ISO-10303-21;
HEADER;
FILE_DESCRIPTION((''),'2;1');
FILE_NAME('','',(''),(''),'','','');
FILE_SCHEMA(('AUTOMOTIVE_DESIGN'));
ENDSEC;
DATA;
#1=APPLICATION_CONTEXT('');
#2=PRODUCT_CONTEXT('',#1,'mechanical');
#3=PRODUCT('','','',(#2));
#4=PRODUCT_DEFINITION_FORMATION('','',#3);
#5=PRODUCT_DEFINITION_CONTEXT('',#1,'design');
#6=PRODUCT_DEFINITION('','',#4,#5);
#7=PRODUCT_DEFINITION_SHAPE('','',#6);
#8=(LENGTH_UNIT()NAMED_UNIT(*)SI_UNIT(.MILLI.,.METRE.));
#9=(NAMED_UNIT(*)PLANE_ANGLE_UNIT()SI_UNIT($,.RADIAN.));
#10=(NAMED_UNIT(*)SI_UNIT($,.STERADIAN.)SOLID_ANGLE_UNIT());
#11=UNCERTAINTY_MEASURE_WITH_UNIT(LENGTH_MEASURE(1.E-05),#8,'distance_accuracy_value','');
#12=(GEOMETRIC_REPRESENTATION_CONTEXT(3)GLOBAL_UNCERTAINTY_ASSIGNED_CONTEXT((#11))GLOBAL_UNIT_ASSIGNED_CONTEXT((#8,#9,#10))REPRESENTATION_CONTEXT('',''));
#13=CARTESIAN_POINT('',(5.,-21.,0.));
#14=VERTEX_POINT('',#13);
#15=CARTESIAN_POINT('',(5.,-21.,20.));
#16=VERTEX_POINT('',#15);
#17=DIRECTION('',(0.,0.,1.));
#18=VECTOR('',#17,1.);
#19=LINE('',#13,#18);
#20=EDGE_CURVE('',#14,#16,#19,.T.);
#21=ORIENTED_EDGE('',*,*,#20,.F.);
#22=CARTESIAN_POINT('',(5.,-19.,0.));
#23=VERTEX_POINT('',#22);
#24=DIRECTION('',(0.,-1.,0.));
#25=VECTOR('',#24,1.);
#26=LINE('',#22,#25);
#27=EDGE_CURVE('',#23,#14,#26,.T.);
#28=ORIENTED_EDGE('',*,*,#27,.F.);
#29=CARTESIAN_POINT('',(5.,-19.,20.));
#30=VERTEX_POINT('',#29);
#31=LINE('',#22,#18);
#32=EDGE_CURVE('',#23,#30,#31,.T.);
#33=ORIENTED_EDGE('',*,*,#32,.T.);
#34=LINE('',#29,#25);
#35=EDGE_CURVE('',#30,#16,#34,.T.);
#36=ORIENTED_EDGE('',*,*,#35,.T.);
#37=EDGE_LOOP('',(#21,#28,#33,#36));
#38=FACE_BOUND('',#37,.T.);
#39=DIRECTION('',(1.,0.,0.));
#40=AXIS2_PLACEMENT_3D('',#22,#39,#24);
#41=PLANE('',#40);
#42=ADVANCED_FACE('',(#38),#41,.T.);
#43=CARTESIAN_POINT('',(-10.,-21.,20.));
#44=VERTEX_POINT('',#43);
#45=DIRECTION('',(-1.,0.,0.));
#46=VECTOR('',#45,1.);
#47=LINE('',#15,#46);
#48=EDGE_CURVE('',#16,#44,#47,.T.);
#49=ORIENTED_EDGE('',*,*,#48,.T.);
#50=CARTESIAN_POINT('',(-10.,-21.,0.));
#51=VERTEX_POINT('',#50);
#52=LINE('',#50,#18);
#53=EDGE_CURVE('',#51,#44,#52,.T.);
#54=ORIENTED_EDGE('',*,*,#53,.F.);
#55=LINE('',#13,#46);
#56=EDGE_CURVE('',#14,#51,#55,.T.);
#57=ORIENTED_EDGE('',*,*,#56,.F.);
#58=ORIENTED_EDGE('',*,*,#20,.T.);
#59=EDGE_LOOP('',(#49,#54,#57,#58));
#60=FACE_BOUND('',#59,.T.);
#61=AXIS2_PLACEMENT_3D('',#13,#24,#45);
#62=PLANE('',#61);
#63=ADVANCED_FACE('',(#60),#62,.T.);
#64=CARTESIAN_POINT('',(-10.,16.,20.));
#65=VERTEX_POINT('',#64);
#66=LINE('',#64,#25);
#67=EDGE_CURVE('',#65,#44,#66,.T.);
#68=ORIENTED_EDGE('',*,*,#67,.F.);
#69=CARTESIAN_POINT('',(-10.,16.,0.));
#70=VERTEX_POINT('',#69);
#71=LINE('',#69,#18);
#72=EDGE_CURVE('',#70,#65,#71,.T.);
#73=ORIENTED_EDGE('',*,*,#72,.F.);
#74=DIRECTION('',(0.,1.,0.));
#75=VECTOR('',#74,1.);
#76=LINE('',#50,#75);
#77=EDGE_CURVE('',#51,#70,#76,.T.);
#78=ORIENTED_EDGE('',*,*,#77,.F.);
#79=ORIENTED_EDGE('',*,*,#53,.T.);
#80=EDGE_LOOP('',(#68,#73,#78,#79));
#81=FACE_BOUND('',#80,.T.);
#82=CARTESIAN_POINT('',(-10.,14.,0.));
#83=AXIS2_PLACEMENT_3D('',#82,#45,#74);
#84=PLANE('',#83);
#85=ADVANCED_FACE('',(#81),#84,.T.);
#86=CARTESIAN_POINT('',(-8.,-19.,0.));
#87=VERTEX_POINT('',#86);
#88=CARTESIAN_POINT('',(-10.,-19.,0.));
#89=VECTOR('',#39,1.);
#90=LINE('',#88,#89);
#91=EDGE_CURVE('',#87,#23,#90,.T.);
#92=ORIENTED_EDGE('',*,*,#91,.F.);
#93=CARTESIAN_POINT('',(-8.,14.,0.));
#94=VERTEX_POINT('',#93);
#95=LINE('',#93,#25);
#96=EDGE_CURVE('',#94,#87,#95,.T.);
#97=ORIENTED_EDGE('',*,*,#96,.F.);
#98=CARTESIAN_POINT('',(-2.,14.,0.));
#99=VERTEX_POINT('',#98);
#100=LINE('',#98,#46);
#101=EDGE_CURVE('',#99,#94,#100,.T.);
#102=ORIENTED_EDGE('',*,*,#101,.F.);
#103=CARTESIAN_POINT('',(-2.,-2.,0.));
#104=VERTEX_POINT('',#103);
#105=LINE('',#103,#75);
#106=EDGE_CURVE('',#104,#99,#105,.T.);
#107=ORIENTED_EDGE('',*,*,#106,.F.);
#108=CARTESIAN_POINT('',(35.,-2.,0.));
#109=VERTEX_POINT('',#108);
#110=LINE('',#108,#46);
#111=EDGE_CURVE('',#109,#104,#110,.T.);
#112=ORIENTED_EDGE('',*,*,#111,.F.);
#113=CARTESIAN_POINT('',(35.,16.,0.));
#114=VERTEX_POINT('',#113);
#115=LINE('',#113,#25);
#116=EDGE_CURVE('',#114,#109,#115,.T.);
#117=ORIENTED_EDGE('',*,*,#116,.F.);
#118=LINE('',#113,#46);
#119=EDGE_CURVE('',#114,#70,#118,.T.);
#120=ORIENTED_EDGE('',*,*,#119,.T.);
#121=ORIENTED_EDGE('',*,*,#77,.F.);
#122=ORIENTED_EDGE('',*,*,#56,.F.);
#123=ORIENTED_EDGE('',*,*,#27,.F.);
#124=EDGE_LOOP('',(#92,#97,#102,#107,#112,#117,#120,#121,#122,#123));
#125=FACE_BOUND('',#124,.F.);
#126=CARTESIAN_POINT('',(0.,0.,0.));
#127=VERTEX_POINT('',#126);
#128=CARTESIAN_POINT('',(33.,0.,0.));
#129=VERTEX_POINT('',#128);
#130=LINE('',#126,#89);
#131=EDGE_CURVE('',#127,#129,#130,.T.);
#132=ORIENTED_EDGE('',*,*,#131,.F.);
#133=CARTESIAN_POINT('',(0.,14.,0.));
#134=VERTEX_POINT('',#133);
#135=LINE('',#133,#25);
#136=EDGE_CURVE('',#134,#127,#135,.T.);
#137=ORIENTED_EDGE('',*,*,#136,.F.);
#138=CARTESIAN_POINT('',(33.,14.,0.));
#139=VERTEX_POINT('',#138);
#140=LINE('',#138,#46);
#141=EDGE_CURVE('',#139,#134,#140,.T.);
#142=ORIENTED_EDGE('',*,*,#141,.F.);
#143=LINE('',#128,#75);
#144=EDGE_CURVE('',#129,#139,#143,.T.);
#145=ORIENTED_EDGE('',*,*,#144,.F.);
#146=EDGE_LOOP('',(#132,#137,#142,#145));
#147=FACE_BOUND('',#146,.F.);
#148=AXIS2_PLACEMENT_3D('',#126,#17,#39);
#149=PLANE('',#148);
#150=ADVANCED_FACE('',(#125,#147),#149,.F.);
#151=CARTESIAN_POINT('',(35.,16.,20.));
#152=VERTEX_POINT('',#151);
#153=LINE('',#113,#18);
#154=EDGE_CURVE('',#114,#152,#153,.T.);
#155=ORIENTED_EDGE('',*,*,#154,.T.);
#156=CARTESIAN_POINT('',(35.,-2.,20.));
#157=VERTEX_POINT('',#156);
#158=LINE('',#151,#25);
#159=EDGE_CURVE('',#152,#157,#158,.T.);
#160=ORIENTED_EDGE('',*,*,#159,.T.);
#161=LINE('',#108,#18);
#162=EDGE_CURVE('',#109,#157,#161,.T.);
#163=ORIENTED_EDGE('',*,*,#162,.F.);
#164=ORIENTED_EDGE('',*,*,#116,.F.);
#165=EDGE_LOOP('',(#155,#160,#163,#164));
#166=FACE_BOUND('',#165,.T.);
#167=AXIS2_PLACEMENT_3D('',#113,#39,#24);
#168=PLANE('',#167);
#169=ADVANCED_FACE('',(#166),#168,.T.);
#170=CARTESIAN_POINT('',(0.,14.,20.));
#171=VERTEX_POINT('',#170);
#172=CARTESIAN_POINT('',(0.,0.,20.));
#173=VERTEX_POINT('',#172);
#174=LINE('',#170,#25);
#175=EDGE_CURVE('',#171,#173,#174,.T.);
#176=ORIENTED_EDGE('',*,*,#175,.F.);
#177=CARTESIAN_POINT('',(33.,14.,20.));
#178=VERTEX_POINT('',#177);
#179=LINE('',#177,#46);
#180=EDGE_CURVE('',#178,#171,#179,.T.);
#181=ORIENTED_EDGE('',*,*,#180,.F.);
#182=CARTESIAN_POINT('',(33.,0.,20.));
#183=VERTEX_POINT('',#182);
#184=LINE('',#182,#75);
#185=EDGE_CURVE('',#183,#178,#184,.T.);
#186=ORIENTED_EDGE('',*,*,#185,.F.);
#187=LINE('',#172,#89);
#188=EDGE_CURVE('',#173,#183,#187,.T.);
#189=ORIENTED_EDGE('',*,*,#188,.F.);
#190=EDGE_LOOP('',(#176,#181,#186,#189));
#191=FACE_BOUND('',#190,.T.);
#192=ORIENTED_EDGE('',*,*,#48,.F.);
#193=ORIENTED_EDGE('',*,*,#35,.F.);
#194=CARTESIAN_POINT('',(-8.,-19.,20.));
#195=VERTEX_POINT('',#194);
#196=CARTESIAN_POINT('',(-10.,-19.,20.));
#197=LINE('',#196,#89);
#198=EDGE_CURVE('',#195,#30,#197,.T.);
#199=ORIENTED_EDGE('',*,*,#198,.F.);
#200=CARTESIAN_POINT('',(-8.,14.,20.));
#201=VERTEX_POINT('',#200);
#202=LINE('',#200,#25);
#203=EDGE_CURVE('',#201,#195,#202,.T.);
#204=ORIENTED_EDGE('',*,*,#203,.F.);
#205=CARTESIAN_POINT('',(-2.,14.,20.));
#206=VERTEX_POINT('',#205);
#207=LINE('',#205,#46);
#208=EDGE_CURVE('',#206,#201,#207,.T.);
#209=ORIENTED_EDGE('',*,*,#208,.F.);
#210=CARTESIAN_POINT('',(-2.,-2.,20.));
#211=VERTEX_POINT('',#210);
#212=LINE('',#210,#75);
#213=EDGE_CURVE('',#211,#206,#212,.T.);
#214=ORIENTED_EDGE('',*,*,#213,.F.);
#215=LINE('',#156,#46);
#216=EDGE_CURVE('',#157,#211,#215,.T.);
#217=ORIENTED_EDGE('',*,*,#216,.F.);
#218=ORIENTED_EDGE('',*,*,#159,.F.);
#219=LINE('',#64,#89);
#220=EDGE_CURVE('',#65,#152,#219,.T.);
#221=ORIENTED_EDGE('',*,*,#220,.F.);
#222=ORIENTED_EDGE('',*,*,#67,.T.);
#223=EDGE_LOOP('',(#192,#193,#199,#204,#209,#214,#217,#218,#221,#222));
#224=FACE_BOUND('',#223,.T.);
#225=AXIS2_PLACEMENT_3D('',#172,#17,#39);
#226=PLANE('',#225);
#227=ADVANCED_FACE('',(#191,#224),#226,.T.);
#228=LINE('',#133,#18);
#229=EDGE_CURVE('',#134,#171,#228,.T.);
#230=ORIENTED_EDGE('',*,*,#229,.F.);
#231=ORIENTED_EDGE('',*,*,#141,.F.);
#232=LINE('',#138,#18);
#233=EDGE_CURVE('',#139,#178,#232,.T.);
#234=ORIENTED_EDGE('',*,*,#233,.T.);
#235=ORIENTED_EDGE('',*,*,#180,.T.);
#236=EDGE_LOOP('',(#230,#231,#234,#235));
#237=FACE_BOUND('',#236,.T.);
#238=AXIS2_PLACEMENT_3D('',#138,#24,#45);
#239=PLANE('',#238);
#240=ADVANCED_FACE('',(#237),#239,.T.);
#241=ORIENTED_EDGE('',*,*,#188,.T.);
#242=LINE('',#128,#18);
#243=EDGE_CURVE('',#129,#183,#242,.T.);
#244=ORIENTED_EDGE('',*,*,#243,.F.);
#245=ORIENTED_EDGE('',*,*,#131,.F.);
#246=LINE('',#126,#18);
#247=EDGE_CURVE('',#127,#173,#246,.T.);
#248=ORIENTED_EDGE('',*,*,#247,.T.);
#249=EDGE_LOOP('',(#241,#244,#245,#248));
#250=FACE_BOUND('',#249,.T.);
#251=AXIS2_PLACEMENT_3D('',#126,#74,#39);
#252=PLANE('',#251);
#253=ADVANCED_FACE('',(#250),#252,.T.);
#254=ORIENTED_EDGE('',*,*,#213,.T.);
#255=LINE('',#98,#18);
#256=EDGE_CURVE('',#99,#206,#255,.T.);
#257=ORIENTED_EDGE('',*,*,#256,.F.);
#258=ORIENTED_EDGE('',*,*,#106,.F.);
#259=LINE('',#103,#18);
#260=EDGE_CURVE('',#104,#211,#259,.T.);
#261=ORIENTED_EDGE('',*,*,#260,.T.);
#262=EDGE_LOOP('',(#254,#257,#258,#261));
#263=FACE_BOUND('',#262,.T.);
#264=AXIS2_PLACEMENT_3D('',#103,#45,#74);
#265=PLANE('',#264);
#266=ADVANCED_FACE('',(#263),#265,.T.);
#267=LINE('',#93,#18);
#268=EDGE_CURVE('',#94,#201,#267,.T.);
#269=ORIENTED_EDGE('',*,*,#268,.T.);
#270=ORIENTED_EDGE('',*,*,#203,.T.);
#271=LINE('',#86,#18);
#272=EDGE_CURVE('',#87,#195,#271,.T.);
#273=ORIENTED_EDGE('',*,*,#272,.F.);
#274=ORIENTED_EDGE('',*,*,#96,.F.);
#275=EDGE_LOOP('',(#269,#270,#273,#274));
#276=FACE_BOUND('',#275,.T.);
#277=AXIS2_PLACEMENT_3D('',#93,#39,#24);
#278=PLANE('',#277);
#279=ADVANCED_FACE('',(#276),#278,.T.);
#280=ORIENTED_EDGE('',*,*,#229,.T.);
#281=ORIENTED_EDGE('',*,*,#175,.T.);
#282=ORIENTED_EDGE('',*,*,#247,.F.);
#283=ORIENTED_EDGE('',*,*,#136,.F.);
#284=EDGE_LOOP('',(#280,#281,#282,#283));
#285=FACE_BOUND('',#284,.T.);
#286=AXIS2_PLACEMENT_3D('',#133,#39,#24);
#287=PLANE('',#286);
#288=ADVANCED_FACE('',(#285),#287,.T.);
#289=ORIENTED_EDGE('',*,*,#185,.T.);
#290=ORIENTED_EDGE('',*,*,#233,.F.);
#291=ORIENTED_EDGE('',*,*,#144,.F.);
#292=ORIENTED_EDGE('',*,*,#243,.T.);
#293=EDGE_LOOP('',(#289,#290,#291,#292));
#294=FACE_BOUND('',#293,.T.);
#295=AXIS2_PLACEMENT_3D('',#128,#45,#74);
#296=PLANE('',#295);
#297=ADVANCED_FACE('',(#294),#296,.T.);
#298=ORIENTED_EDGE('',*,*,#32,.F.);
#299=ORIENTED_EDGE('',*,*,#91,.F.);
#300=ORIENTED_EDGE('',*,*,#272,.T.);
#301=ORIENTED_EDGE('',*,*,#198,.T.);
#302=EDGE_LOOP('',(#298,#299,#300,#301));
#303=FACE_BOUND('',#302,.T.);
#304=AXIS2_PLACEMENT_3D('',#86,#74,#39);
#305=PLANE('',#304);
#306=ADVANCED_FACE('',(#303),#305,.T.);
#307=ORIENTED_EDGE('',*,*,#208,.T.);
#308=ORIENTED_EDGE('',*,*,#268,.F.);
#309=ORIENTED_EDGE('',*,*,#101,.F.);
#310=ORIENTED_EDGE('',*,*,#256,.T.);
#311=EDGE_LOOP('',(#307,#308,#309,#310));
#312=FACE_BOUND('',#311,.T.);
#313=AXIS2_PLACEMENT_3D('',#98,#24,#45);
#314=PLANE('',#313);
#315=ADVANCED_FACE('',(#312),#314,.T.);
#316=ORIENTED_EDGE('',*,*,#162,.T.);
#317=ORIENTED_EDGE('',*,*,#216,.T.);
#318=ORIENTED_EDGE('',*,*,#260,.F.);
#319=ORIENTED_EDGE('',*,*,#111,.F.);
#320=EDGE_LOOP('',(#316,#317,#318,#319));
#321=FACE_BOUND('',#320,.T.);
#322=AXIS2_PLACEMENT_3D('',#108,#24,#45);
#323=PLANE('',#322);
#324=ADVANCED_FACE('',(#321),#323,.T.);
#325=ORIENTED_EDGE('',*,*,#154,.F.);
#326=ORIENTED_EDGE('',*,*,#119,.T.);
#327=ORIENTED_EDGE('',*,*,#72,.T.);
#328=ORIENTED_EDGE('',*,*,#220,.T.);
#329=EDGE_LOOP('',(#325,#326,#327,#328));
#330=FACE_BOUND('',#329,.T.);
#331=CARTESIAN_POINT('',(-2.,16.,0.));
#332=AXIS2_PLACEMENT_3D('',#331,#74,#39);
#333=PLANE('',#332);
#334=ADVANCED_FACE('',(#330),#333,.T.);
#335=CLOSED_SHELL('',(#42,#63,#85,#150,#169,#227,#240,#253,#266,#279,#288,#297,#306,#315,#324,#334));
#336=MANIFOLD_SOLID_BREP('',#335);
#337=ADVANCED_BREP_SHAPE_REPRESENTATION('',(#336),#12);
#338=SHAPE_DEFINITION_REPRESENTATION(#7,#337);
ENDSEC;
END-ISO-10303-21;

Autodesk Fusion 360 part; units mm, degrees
sketch "Sketch1" plane through (0, 0, 0) normal (0, 0, 1) x (1, 0, 0)
  line L0 (0, 0) -> (33, 0)
  line L1 (33, 0) -> (33, 14)
  line L2 (33, 14) -> (0, 14)
  line L3 (0, 14) -> (0, 0)
  line L4 (-2, 16) -> (35, 16)
  line L5 (35, 16) -> (35, -2)
  line L6 (35, -2) -> (-2, -2)
  line L7 (-2, -2) -> (-2, 16)
  line L8 (-2, 14) -> (-10, 14)
  line L9 (-10, 14) -> (-10, 16)
  line L10 (-10, 16) -> (-2, 16)
  line L11 (-2, 16) -> (-2, 14)
  line L12 (-10, 14) -> (-8, 14)
  line L13 (-8, 14) -> (-8, -19)
  line L14 (-8, -19) -> (-10, -19)
  line L15 (-10, -19) -> (-10, 14)
  line L16 (-10, -19) -> (5, -19)
  line L17 (5, -19) -> (5, -21)
  line L18 (5, -21) -> (-10, -21)
  line L19 (-10, -21) -> (-10, -19)
  dimension "d1" = 33
  dimension "d2" = 14
  dimension "d3" = 33
  dimension "d4" = 15
  dimension "d5" = 2
extrude "Extrude1" add sketch "Sketch1" along normal blind 20
